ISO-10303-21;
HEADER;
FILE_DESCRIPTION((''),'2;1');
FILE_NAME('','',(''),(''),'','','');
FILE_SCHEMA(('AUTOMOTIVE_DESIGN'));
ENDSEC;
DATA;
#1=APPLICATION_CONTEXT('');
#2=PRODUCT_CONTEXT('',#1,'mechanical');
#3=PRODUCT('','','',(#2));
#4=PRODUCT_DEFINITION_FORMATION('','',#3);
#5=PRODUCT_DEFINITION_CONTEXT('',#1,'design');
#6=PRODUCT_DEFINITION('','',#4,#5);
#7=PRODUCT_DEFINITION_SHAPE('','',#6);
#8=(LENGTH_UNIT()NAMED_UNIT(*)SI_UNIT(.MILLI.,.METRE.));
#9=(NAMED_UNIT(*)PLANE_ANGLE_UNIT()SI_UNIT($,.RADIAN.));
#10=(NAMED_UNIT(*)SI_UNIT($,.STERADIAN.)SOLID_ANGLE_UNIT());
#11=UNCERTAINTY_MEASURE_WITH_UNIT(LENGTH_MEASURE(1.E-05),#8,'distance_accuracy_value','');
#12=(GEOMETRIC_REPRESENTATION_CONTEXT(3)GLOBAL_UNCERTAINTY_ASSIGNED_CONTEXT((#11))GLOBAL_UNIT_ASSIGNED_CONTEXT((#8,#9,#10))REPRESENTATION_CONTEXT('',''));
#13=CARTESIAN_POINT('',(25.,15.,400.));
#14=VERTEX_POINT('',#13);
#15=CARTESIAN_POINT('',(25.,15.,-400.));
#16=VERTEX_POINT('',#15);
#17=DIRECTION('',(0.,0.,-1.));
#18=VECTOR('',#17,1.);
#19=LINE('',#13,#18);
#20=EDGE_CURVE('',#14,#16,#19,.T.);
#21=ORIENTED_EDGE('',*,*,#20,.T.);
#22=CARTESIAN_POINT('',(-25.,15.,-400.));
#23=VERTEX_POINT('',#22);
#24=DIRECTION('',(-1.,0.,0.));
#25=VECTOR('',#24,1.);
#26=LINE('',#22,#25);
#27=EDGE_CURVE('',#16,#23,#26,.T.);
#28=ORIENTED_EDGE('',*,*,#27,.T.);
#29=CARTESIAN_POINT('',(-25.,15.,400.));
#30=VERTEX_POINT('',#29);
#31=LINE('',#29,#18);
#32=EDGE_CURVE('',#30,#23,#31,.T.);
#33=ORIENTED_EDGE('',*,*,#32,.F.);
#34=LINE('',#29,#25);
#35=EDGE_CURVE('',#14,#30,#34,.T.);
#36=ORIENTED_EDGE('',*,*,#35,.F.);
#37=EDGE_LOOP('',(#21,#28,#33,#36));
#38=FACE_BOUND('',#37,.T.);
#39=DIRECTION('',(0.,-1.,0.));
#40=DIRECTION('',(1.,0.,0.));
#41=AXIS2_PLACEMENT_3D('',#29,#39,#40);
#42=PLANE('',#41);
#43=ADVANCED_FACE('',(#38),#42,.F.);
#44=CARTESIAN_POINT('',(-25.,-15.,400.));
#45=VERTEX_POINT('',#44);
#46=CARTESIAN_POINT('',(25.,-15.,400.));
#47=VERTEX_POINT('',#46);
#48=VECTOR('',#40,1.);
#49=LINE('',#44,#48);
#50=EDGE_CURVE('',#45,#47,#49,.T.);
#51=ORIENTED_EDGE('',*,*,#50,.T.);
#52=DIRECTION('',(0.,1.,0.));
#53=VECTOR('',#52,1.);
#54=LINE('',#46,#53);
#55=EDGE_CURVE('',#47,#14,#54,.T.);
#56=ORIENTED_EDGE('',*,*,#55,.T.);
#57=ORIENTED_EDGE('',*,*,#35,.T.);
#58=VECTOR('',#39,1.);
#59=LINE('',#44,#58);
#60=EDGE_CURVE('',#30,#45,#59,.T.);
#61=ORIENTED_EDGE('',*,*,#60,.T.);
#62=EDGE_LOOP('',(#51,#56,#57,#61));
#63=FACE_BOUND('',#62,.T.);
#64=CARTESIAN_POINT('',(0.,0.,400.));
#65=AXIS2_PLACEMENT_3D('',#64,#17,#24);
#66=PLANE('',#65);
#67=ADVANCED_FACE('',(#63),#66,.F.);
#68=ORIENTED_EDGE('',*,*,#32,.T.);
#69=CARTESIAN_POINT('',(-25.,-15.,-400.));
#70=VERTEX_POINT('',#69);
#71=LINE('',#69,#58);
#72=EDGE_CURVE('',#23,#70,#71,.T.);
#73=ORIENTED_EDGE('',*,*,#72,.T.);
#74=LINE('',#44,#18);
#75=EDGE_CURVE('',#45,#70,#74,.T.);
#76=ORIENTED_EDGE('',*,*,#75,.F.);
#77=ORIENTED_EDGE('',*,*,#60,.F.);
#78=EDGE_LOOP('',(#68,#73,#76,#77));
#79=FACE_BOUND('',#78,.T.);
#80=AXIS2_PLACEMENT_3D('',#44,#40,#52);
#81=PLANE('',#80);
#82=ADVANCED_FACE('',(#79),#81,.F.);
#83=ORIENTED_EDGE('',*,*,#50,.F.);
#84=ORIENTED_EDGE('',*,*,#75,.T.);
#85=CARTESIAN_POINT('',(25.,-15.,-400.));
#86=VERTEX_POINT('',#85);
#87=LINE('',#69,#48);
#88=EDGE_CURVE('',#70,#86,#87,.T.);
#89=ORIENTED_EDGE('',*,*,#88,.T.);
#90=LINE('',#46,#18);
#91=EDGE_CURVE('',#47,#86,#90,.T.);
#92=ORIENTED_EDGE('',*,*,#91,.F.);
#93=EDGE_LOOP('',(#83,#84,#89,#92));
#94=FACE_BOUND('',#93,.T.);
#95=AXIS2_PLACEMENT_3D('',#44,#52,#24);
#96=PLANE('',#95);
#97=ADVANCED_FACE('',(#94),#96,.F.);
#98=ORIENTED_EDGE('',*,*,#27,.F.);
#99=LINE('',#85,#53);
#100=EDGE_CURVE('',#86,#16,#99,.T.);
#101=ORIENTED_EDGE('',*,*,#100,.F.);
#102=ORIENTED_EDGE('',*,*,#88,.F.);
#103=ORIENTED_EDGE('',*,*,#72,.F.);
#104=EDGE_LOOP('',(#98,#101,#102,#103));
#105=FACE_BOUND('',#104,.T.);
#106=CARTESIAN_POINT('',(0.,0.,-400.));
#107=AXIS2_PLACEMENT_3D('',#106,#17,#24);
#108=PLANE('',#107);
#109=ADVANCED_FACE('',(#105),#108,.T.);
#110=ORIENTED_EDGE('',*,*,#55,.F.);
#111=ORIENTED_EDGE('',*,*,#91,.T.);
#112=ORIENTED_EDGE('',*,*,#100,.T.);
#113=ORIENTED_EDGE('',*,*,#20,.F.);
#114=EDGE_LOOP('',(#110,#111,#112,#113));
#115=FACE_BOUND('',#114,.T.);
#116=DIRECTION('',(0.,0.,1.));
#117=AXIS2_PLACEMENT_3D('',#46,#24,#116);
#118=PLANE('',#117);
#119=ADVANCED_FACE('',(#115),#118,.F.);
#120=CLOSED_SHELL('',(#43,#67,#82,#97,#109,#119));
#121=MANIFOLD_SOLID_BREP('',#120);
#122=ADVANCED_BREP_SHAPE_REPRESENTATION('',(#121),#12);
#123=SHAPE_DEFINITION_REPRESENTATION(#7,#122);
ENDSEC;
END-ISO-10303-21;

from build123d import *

# Parameters (mm, degrees)
SKETCH_1_W      = 50
SKETCH_1_H      = 30
EXTRUDE_1_DEPTH = 400


with BuildPart() as part:
    # Эскиз1 → Бобышка-Вытянуть1 (new, symmetric)
    with BuildSketch(Plane.XY):
        Rectangle(SKETCH_1_W, SKETCH_1_H)
    extrude(amount=EXTRUDE_1_DEPTH, both=True)


solid = part.part
